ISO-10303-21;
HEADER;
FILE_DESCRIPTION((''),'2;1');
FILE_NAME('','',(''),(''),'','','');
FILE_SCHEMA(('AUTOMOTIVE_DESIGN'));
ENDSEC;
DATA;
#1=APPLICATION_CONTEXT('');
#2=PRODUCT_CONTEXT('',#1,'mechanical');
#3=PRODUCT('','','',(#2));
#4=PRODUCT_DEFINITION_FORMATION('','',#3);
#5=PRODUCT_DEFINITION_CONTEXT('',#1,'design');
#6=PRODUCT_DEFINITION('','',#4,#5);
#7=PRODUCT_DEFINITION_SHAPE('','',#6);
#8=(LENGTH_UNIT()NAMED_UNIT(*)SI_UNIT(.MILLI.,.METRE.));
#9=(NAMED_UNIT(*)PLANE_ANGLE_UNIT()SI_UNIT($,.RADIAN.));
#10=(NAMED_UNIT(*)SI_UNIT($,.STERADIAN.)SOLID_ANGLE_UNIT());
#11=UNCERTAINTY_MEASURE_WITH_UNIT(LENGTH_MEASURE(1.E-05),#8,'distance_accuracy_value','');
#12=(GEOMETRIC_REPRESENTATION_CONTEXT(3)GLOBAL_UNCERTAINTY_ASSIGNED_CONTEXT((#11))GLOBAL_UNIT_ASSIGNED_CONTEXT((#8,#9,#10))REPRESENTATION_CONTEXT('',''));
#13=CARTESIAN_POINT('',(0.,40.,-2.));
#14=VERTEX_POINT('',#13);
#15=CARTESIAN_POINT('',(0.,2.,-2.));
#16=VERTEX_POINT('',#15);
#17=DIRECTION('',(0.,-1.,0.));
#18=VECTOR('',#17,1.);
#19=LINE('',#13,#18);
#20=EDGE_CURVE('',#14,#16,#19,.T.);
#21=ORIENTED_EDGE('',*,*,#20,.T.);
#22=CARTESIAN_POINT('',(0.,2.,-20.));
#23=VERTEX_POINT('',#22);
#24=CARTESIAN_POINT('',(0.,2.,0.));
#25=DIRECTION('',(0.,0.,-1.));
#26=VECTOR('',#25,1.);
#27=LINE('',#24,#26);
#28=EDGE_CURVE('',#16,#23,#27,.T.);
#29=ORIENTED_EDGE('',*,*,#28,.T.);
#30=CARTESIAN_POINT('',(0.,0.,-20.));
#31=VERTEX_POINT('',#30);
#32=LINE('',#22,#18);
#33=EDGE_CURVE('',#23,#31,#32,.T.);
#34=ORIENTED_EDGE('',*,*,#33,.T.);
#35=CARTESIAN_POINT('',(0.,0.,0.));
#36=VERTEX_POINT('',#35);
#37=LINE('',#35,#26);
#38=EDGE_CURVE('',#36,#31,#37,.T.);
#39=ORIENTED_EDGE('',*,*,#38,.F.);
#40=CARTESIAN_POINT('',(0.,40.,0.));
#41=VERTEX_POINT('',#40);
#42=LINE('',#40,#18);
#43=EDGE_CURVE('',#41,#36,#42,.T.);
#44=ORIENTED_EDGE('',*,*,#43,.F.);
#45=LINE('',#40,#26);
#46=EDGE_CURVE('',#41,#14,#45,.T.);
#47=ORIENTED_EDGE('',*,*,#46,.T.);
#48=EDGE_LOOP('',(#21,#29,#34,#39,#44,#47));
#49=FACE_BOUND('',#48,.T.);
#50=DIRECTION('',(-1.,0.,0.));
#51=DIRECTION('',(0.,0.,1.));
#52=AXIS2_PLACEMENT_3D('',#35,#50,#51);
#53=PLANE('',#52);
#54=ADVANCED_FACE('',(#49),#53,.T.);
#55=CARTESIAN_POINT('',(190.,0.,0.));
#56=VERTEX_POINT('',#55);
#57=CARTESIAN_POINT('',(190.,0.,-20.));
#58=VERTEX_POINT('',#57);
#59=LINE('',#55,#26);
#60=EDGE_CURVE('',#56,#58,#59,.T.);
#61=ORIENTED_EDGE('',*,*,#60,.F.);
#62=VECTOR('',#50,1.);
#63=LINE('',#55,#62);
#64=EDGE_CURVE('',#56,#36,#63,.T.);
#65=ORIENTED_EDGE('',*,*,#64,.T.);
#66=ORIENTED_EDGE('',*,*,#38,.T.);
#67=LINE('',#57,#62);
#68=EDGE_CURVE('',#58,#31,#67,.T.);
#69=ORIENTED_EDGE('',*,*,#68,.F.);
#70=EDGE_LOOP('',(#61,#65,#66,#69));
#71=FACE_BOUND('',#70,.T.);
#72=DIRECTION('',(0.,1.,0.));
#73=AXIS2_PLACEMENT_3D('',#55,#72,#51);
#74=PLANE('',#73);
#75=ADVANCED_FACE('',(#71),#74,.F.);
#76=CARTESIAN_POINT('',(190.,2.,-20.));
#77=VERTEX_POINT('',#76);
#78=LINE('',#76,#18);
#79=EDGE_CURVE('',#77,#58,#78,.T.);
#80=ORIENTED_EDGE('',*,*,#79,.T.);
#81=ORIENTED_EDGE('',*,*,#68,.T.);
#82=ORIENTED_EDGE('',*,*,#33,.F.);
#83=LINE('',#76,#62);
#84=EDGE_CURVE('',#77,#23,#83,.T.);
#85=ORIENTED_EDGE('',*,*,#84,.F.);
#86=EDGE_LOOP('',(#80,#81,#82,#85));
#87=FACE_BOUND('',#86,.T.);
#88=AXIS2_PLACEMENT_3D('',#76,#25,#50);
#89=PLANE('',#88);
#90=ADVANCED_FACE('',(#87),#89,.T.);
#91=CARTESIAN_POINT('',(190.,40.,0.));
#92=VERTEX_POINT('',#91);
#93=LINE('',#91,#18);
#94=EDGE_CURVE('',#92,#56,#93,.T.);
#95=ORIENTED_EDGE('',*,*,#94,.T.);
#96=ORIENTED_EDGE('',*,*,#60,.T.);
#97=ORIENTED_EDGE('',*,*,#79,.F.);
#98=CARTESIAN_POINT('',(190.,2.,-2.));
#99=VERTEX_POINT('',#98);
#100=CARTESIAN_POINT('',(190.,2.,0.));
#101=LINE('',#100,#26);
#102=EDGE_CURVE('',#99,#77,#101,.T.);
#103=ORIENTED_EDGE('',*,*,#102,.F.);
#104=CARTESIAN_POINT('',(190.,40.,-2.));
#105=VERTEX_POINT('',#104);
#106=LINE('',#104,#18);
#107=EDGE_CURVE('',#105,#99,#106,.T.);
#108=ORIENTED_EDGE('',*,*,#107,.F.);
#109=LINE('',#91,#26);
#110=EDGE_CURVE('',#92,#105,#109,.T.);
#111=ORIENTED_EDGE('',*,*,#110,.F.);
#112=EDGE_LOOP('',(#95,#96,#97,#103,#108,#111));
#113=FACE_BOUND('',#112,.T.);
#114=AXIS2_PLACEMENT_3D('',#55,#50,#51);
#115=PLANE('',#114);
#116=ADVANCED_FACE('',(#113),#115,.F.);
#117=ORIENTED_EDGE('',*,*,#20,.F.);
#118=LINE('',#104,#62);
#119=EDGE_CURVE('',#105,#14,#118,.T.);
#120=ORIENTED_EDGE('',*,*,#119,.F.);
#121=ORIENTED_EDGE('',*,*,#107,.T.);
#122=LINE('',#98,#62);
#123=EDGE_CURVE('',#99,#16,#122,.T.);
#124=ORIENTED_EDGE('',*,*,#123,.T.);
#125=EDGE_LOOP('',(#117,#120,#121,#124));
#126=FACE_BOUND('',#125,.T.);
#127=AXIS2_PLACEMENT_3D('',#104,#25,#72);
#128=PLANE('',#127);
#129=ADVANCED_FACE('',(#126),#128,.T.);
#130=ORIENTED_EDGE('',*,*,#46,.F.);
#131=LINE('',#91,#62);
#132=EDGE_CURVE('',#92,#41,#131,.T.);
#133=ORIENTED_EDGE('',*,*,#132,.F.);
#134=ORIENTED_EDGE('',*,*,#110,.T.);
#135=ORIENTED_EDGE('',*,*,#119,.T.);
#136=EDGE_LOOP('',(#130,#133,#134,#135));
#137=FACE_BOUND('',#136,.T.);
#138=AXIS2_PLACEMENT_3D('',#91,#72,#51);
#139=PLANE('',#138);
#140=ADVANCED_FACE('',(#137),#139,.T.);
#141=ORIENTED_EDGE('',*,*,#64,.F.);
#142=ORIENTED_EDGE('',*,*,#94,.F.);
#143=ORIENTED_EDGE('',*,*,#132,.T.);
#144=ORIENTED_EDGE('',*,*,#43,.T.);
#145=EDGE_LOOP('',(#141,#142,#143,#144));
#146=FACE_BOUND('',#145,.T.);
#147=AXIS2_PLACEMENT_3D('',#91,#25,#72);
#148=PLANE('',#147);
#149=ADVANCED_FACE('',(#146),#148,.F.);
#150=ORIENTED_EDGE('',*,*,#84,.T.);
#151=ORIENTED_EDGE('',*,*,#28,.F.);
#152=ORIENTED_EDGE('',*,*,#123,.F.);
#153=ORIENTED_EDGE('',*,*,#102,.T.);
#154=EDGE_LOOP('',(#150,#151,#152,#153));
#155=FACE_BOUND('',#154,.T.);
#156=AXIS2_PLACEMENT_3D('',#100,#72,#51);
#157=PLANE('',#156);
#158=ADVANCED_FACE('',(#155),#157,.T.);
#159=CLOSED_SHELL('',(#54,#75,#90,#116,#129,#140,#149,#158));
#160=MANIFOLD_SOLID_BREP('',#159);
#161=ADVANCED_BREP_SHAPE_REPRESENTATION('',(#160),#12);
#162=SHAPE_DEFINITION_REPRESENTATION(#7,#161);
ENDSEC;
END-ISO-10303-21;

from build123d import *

# Parameters (mm, degrees)
EXTRUDE_1_DEPTH = 190


with BuildPart() as part:
    # Эскиз1 → Вытянуть-Тонкостенный1 (new body)
    with BuildSketch(Plane(origin=(0, 0, 0), x_dir=(0, 0, -1), z_dir=(1, 0, 0))):
        Polygon((0, 40), (0, 0), (20, 0), (20, 2), (2, 2), (2, 40), align=None)
    extrude(amount=EXTRUDE_1_DEPTH)


solid = part.part
